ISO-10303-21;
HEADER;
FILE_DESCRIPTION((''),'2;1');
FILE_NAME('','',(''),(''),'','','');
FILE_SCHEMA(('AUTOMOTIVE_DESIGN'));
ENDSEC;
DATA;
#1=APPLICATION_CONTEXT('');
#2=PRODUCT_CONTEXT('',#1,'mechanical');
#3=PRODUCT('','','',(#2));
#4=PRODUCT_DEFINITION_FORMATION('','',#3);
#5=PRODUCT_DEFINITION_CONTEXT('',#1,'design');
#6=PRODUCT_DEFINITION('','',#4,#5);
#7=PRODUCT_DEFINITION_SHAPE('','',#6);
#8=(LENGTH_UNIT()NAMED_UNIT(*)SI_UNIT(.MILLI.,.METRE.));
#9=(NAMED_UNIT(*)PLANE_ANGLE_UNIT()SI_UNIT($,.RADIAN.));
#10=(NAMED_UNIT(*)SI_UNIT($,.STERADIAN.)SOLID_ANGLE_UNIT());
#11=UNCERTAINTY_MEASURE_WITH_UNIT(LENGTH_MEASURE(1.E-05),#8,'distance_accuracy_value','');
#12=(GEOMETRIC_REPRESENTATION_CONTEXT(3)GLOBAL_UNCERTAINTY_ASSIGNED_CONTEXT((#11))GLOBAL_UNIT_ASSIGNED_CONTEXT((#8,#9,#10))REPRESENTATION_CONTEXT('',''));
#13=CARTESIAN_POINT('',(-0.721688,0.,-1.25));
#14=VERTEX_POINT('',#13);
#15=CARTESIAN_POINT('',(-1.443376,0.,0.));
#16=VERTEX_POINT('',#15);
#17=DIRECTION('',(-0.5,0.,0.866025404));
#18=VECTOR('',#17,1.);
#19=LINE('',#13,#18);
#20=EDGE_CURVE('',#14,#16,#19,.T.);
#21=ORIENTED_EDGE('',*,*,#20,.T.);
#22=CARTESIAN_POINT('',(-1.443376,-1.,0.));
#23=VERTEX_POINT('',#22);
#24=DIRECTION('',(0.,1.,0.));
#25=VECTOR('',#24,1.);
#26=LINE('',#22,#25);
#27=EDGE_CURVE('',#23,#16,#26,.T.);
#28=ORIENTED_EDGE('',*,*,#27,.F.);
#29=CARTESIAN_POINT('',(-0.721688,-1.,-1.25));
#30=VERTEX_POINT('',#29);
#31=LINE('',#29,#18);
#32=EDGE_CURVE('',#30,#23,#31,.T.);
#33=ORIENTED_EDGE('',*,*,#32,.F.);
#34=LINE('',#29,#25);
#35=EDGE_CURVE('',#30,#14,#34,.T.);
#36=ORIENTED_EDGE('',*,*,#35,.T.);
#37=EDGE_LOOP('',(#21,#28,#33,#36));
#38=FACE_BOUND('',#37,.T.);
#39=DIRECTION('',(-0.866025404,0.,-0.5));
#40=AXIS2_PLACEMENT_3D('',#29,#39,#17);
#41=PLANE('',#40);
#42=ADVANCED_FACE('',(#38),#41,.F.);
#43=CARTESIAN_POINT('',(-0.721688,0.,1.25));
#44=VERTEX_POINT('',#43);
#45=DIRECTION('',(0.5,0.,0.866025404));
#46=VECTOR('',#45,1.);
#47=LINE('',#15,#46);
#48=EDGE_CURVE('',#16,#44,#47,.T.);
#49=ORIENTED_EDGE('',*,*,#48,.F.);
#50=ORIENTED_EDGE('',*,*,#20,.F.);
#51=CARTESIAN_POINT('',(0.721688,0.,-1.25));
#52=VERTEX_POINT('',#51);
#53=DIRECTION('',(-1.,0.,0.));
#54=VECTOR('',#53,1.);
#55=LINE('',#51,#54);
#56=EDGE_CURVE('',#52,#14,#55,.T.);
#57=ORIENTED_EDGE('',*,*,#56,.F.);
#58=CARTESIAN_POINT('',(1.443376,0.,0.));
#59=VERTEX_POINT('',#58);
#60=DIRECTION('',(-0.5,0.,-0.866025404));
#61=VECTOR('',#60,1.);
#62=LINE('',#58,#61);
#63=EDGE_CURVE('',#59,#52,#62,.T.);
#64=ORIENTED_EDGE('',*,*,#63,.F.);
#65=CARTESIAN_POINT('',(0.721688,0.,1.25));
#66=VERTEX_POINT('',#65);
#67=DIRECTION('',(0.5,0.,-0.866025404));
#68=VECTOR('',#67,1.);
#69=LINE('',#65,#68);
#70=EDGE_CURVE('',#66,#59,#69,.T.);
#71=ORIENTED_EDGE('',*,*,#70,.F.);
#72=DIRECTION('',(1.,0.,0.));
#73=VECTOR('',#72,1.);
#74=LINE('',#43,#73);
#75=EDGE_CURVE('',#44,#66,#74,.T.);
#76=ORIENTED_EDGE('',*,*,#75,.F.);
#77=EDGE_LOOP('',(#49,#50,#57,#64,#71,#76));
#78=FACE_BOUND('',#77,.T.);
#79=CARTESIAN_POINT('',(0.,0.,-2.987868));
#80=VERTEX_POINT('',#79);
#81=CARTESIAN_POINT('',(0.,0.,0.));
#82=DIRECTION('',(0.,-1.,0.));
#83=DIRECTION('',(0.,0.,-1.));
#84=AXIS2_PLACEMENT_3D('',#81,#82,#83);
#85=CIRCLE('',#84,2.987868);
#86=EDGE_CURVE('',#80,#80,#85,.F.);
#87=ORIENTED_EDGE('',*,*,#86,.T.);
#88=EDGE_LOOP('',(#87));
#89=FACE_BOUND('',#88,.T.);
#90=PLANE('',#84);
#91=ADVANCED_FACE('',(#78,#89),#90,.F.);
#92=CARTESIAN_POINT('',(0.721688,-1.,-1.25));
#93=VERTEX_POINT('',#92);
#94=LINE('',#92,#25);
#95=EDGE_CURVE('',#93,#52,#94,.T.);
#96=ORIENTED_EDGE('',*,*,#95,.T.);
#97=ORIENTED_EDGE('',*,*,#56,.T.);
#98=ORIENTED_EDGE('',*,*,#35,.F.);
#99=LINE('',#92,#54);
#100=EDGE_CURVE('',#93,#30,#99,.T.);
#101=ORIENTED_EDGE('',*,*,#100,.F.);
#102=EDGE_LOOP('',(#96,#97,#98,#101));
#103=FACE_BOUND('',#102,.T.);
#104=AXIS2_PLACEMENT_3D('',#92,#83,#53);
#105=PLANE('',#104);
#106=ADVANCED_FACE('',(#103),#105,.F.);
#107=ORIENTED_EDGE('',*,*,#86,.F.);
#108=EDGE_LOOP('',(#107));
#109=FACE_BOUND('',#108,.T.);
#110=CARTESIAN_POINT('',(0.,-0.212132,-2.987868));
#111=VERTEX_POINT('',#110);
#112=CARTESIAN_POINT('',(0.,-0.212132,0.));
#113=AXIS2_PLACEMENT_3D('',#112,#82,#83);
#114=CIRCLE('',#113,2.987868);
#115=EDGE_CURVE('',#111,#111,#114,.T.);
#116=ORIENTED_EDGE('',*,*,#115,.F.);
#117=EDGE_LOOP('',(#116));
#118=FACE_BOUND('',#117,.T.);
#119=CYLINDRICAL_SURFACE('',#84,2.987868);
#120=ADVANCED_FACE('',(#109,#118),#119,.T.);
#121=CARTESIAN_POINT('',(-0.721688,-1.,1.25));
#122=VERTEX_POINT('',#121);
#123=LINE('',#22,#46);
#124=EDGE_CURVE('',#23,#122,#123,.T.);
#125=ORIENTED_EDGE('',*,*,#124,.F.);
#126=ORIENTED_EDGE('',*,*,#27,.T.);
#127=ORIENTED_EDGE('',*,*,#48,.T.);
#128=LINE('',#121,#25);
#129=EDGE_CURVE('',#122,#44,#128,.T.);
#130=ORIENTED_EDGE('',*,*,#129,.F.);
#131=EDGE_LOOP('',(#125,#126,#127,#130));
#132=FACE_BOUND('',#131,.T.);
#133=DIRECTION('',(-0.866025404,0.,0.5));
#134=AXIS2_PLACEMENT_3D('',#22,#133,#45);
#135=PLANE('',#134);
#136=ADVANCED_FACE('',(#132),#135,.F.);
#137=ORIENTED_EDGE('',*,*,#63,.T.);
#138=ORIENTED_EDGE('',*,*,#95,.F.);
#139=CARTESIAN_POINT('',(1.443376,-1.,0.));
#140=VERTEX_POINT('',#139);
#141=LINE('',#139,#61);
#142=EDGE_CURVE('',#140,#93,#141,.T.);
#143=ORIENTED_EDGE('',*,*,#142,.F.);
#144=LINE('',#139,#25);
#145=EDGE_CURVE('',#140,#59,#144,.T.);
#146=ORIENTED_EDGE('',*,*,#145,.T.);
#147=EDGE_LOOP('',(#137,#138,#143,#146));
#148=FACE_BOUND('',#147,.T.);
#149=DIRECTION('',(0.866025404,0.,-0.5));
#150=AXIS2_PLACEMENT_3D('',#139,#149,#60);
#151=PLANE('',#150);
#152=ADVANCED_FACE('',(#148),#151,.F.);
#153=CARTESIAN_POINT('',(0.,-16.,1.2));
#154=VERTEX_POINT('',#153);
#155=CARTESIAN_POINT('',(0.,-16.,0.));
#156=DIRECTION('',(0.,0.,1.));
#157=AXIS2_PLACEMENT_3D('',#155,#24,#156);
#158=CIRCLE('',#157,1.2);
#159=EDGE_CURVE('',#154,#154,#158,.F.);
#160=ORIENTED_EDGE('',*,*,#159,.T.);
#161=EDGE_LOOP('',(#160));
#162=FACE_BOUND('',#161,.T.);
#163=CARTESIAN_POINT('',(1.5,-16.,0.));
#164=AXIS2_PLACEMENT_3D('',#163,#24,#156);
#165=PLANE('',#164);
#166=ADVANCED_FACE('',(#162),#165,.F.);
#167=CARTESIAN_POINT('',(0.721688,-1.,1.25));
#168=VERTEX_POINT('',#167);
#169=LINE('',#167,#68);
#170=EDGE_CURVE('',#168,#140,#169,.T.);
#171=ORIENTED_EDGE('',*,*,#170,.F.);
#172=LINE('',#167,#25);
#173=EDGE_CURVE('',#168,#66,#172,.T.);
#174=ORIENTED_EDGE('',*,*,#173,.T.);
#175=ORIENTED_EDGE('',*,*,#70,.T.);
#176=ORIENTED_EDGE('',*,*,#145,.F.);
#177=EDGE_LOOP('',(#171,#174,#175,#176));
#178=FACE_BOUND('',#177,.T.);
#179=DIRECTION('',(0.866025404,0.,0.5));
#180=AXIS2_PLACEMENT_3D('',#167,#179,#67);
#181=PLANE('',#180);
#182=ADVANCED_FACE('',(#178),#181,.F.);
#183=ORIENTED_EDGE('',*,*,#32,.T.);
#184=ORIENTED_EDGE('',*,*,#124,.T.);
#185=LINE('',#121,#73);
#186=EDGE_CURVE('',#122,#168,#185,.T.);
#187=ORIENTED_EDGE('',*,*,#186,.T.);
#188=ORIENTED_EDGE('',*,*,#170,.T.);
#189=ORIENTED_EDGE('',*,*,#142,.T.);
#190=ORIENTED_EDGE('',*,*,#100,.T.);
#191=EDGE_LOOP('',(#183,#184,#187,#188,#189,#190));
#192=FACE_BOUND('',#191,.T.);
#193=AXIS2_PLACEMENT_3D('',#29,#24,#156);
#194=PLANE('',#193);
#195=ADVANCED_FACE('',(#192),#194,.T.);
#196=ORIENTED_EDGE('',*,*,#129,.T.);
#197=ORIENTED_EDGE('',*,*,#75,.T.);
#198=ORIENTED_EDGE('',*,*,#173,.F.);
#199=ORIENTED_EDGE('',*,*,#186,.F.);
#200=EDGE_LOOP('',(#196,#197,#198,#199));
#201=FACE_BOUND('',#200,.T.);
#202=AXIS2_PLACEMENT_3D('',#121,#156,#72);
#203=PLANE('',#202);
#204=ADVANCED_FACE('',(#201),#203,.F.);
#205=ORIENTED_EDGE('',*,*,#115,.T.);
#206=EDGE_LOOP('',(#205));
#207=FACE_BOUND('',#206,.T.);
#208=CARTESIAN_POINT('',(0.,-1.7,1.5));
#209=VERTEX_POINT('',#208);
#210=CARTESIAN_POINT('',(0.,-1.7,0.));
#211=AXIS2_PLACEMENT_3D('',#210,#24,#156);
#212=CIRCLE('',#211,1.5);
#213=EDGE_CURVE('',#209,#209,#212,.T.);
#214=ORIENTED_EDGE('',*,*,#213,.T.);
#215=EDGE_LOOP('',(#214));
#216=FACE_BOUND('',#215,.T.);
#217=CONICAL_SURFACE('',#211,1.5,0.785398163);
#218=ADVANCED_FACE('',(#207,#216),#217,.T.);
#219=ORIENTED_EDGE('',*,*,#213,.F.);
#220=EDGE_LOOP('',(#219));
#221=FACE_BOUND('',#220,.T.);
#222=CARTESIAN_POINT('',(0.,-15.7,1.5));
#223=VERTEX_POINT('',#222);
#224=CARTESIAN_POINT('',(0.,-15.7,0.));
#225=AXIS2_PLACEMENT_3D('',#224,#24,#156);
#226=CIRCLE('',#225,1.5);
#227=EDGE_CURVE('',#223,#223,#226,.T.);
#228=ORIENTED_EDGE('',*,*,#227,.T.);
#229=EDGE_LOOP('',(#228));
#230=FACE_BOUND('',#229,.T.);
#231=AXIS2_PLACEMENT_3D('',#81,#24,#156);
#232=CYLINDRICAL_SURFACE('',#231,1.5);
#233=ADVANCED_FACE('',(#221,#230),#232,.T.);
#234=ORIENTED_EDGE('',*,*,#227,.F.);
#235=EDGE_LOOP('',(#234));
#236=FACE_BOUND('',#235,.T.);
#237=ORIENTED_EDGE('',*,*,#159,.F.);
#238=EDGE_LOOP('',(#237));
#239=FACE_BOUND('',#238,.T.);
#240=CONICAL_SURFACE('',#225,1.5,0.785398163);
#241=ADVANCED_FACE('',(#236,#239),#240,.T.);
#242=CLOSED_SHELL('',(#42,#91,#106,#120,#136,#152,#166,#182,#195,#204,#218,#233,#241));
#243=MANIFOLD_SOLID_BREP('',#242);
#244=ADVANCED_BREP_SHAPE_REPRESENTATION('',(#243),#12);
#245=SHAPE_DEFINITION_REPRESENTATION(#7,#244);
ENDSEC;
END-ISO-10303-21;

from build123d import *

# Parameters (mm, degrees)
CHAFL_N2_SIZE         = 0.3
CHAFL_N2_SIZE2        = 0.212132034
CHAFL_N3_SIZE         = 0.3
CORTAR_EXTRUIR2_DEPTH = 1


with BuildPart() as part:
    # Croquis1 → Revolución1 (revolve)
    with BuildSketch(Plane.XY, mode=Mode.PRIVATE) as revoluci_n1_sk:
        Polygon((0, 0), (3.2, 0), (1.5, -1.7), (1.5, -16), (0, -16), align=None)
    revolve(revoluci_n1_sk.sketch.rotate(Axis((0, 0, 0), (0, -1, 0)), 90), axis=Axis((0, 0, 0), (0, -1, 0)))

    # Chaflán2
    chafl_n2_edges = [part.edges().sort_by_distance(p)[0] for p in [
        (0, 0, -3.2),
    ]]
    chafl_n2_side = [part.faces().sort_by_distance(p)[0] for p in [
        (0, -0.85, -2.35),
    ]]
    chamfer(chafl_n2_edges, length=CHAFL_N2_SIZE, length2=CHAFL_N2_SIZE2, reference=chafl_n2_side[0])

    # Chaflán3
    chafl_n3_edges = [part.edges().sort_by_distance(p)[0] for p in [
        (0, -16, -1.5),
    ]]
    chamfer(chafl_n3_edges, length=CHAFL_N3_SIZE)

    # Croquis3 → Cortar-Extruir2 (cut)
    with BuildSketch(Plane(origin=(0, 0, 0), x_dir=(1, 0, 0), z_dir=(0, 1, 0))):
        Polygon((-0.721687836, 1.25), (-1.443375673, 0), (-0.721687836, -1.25), (0.721687836, -1.25), (1.443375673, 0), (0.721687836, 1.25), align=None)
    extrude(amount=-CORTAR_EXTRUIR2_DEPTH, mode=Mode.SUBTRACT)


solid = part.part
